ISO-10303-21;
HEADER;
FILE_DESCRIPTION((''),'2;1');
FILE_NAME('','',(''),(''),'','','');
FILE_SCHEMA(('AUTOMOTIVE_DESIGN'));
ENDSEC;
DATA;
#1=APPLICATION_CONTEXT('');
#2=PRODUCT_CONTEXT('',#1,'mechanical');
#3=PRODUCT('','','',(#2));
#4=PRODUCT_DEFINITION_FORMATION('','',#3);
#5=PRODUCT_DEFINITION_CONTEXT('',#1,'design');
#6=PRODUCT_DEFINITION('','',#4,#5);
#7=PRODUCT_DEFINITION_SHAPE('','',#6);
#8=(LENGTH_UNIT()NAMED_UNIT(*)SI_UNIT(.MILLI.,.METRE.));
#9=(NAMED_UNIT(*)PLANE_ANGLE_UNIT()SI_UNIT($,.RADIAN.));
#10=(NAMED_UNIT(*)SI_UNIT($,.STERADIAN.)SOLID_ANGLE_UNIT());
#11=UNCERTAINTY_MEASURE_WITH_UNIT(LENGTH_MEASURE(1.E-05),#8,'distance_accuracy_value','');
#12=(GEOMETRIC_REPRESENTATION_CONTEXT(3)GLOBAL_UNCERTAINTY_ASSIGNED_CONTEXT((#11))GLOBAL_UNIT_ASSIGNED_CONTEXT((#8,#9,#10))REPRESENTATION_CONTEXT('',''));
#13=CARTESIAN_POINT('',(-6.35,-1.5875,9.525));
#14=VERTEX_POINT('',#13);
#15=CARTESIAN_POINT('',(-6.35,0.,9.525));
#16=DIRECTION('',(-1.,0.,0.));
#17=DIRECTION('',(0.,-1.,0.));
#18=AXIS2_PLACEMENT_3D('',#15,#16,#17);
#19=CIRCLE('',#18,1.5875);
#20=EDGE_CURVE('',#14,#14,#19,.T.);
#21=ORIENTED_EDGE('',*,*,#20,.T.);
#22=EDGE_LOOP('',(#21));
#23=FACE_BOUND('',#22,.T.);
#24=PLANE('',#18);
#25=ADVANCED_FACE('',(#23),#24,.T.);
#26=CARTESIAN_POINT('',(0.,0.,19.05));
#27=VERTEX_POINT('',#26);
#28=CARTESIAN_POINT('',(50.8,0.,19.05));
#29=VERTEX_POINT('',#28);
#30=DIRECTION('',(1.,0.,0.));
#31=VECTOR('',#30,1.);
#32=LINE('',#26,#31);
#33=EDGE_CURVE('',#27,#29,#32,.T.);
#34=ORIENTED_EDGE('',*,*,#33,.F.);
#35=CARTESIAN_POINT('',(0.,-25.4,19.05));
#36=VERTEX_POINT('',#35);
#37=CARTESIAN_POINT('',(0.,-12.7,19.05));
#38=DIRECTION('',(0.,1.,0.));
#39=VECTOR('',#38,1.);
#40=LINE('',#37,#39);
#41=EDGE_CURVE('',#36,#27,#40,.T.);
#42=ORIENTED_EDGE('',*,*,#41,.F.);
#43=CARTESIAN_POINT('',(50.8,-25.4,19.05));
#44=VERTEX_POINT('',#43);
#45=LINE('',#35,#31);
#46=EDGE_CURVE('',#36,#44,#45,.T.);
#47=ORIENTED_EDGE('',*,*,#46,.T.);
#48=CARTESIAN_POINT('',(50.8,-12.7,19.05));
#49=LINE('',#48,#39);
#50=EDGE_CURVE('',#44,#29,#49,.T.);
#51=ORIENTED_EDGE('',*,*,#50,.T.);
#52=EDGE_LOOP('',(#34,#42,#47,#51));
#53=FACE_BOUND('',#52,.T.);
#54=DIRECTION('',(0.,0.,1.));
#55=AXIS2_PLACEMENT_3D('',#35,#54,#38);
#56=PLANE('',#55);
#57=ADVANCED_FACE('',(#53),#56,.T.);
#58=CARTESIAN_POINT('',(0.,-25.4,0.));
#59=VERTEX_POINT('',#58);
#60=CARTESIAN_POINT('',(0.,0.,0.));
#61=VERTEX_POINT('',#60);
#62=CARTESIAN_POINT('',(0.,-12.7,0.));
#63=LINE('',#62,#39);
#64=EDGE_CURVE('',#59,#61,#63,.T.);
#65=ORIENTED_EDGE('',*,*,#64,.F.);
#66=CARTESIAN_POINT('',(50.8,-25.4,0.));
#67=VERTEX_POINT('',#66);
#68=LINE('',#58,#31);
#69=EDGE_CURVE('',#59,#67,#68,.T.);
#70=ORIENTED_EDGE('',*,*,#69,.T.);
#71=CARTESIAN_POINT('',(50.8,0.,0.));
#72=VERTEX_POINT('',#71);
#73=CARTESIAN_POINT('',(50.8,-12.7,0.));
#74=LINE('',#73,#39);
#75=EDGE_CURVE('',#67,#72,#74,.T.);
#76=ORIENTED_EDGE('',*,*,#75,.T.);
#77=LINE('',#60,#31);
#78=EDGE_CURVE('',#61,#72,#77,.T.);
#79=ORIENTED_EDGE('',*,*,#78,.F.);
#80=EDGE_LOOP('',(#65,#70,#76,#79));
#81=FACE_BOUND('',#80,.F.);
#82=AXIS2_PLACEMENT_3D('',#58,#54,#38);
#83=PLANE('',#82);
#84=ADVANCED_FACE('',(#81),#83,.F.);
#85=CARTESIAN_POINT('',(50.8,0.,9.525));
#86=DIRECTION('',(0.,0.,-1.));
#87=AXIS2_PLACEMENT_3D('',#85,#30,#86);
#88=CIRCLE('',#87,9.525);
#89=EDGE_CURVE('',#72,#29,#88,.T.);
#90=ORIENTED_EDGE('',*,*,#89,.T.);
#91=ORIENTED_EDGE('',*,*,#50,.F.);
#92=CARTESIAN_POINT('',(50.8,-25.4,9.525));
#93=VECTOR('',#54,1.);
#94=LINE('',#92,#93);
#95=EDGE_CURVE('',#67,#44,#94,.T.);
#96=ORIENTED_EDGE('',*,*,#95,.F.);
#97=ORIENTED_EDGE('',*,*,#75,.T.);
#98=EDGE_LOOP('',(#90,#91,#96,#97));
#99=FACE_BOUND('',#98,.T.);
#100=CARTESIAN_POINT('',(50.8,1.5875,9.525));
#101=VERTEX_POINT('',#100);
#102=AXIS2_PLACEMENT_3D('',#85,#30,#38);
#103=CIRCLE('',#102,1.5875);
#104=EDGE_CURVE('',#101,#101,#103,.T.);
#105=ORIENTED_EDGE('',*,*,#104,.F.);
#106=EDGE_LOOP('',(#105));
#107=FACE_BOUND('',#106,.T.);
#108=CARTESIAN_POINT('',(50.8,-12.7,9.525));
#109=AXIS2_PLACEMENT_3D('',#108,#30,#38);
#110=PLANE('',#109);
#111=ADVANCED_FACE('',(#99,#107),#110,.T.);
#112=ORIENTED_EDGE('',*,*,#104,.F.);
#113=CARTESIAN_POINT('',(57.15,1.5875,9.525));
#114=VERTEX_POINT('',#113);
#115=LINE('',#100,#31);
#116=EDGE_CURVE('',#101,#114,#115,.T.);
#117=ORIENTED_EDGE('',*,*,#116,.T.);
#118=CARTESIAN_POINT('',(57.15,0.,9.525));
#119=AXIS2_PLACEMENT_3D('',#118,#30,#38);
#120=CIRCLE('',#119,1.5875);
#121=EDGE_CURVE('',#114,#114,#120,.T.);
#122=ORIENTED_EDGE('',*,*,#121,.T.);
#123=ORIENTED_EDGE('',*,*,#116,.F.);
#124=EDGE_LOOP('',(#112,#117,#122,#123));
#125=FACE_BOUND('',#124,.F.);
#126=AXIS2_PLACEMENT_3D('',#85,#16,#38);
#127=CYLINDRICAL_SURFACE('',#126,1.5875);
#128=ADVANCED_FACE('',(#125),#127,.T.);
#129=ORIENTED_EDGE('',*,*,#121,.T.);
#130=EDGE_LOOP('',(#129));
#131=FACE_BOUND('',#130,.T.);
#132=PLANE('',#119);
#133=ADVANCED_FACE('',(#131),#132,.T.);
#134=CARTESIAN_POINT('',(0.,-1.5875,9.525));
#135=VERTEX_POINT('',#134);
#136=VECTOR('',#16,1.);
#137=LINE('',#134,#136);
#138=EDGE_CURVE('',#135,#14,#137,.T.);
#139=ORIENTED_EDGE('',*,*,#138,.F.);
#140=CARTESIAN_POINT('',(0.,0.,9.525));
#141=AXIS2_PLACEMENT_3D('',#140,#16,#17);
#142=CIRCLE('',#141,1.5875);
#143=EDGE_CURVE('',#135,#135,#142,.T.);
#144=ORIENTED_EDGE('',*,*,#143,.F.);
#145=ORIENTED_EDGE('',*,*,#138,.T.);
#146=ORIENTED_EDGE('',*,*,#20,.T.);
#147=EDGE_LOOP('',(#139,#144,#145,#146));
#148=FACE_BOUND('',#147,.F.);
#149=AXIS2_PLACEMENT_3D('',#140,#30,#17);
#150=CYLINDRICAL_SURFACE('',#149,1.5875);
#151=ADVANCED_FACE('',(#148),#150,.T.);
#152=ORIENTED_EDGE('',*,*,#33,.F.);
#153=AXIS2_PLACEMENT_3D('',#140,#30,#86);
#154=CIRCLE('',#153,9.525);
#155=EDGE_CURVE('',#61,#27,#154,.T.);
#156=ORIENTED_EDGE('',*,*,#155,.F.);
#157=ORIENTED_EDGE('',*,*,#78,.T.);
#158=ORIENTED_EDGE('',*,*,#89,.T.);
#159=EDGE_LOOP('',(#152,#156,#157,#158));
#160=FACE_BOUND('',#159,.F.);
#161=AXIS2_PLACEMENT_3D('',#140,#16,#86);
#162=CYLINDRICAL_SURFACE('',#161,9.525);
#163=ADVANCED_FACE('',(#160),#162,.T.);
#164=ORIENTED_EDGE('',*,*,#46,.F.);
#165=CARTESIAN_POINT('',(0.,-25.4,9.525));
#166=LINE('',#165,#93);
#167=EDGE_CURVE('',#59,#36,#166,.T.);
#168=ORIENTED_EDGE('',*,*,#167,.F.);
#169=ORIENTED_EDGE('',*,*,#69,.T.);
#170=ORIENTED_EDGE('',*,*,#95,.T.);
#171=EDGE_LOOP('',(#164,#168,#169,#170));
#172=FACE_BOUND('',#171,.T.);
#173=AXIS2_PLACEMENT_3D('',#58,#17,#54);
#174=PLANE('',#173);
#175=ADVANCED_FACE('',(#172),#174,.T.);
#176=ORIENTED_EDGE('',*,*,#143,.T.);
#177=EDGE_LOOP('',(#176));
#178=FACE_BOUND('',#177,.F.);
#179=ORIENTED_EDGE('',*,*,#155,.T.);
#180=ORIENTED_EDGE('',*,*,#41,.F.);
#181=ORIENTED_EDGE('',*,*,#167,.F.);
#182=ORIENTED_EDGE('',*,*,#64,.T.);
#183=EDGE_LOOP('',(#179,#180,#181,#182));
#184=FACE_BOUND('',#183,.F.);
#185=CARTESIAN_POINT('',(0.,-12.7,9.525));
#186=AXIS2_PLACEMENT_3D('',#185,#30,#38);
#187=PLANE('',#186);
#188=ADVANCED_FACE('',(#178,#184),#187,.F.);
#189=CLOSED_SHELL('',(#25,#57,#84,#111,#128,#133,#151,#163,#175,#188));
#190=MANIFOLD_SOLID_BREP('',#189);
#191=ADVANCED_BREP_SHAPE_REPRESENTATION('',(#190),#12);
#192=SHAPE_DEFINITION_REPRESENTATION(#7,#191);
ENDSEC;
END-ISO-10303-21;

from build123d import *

# Parameters (mm, degrees)
F0_W     = 25.4
F0_H     = 19.05
F1_DEPTH = 50.8
F2_R     = 1.5875
F4_DEPTH = 6.35
F3_R     = 1.5875
F5_DEPTH = 6.35


with BuildPart() as f1:
    # F0 (on Right) → F1 (new body)
    with BuildSketch(Plane.YZ):
        with Locations((-12.7, 9.525)):
            Rectangle(F0_W, F0_H)
        with BuildLine():
            ThreePointArc((0, 0), (9.525, 9.525), (0, 19.05))
            Line((0, 19.05), (0, 0))
        make_face()
    extrude(amount=F1_DEPTH)

    # F2 (on face) → F4 (join)
    with BuildSketch(Plane.YZ.offset(50.8)):
        with Locations((0, 9.525)):
            Circle(F2_R)
    extrude(amount=F4_DEPTH)

    # F3 (on face) → F5 (join)
    with BuildSketch(Plane(origin=(0, 0, 0), x_dir=(0, -1, 0), z_dir=(-1, 0, 0))):
        with Locations((0, 9.525)):
            Circle(F3_R)
    extrude(amount=F5_DEPTH)


solid = f1.part
